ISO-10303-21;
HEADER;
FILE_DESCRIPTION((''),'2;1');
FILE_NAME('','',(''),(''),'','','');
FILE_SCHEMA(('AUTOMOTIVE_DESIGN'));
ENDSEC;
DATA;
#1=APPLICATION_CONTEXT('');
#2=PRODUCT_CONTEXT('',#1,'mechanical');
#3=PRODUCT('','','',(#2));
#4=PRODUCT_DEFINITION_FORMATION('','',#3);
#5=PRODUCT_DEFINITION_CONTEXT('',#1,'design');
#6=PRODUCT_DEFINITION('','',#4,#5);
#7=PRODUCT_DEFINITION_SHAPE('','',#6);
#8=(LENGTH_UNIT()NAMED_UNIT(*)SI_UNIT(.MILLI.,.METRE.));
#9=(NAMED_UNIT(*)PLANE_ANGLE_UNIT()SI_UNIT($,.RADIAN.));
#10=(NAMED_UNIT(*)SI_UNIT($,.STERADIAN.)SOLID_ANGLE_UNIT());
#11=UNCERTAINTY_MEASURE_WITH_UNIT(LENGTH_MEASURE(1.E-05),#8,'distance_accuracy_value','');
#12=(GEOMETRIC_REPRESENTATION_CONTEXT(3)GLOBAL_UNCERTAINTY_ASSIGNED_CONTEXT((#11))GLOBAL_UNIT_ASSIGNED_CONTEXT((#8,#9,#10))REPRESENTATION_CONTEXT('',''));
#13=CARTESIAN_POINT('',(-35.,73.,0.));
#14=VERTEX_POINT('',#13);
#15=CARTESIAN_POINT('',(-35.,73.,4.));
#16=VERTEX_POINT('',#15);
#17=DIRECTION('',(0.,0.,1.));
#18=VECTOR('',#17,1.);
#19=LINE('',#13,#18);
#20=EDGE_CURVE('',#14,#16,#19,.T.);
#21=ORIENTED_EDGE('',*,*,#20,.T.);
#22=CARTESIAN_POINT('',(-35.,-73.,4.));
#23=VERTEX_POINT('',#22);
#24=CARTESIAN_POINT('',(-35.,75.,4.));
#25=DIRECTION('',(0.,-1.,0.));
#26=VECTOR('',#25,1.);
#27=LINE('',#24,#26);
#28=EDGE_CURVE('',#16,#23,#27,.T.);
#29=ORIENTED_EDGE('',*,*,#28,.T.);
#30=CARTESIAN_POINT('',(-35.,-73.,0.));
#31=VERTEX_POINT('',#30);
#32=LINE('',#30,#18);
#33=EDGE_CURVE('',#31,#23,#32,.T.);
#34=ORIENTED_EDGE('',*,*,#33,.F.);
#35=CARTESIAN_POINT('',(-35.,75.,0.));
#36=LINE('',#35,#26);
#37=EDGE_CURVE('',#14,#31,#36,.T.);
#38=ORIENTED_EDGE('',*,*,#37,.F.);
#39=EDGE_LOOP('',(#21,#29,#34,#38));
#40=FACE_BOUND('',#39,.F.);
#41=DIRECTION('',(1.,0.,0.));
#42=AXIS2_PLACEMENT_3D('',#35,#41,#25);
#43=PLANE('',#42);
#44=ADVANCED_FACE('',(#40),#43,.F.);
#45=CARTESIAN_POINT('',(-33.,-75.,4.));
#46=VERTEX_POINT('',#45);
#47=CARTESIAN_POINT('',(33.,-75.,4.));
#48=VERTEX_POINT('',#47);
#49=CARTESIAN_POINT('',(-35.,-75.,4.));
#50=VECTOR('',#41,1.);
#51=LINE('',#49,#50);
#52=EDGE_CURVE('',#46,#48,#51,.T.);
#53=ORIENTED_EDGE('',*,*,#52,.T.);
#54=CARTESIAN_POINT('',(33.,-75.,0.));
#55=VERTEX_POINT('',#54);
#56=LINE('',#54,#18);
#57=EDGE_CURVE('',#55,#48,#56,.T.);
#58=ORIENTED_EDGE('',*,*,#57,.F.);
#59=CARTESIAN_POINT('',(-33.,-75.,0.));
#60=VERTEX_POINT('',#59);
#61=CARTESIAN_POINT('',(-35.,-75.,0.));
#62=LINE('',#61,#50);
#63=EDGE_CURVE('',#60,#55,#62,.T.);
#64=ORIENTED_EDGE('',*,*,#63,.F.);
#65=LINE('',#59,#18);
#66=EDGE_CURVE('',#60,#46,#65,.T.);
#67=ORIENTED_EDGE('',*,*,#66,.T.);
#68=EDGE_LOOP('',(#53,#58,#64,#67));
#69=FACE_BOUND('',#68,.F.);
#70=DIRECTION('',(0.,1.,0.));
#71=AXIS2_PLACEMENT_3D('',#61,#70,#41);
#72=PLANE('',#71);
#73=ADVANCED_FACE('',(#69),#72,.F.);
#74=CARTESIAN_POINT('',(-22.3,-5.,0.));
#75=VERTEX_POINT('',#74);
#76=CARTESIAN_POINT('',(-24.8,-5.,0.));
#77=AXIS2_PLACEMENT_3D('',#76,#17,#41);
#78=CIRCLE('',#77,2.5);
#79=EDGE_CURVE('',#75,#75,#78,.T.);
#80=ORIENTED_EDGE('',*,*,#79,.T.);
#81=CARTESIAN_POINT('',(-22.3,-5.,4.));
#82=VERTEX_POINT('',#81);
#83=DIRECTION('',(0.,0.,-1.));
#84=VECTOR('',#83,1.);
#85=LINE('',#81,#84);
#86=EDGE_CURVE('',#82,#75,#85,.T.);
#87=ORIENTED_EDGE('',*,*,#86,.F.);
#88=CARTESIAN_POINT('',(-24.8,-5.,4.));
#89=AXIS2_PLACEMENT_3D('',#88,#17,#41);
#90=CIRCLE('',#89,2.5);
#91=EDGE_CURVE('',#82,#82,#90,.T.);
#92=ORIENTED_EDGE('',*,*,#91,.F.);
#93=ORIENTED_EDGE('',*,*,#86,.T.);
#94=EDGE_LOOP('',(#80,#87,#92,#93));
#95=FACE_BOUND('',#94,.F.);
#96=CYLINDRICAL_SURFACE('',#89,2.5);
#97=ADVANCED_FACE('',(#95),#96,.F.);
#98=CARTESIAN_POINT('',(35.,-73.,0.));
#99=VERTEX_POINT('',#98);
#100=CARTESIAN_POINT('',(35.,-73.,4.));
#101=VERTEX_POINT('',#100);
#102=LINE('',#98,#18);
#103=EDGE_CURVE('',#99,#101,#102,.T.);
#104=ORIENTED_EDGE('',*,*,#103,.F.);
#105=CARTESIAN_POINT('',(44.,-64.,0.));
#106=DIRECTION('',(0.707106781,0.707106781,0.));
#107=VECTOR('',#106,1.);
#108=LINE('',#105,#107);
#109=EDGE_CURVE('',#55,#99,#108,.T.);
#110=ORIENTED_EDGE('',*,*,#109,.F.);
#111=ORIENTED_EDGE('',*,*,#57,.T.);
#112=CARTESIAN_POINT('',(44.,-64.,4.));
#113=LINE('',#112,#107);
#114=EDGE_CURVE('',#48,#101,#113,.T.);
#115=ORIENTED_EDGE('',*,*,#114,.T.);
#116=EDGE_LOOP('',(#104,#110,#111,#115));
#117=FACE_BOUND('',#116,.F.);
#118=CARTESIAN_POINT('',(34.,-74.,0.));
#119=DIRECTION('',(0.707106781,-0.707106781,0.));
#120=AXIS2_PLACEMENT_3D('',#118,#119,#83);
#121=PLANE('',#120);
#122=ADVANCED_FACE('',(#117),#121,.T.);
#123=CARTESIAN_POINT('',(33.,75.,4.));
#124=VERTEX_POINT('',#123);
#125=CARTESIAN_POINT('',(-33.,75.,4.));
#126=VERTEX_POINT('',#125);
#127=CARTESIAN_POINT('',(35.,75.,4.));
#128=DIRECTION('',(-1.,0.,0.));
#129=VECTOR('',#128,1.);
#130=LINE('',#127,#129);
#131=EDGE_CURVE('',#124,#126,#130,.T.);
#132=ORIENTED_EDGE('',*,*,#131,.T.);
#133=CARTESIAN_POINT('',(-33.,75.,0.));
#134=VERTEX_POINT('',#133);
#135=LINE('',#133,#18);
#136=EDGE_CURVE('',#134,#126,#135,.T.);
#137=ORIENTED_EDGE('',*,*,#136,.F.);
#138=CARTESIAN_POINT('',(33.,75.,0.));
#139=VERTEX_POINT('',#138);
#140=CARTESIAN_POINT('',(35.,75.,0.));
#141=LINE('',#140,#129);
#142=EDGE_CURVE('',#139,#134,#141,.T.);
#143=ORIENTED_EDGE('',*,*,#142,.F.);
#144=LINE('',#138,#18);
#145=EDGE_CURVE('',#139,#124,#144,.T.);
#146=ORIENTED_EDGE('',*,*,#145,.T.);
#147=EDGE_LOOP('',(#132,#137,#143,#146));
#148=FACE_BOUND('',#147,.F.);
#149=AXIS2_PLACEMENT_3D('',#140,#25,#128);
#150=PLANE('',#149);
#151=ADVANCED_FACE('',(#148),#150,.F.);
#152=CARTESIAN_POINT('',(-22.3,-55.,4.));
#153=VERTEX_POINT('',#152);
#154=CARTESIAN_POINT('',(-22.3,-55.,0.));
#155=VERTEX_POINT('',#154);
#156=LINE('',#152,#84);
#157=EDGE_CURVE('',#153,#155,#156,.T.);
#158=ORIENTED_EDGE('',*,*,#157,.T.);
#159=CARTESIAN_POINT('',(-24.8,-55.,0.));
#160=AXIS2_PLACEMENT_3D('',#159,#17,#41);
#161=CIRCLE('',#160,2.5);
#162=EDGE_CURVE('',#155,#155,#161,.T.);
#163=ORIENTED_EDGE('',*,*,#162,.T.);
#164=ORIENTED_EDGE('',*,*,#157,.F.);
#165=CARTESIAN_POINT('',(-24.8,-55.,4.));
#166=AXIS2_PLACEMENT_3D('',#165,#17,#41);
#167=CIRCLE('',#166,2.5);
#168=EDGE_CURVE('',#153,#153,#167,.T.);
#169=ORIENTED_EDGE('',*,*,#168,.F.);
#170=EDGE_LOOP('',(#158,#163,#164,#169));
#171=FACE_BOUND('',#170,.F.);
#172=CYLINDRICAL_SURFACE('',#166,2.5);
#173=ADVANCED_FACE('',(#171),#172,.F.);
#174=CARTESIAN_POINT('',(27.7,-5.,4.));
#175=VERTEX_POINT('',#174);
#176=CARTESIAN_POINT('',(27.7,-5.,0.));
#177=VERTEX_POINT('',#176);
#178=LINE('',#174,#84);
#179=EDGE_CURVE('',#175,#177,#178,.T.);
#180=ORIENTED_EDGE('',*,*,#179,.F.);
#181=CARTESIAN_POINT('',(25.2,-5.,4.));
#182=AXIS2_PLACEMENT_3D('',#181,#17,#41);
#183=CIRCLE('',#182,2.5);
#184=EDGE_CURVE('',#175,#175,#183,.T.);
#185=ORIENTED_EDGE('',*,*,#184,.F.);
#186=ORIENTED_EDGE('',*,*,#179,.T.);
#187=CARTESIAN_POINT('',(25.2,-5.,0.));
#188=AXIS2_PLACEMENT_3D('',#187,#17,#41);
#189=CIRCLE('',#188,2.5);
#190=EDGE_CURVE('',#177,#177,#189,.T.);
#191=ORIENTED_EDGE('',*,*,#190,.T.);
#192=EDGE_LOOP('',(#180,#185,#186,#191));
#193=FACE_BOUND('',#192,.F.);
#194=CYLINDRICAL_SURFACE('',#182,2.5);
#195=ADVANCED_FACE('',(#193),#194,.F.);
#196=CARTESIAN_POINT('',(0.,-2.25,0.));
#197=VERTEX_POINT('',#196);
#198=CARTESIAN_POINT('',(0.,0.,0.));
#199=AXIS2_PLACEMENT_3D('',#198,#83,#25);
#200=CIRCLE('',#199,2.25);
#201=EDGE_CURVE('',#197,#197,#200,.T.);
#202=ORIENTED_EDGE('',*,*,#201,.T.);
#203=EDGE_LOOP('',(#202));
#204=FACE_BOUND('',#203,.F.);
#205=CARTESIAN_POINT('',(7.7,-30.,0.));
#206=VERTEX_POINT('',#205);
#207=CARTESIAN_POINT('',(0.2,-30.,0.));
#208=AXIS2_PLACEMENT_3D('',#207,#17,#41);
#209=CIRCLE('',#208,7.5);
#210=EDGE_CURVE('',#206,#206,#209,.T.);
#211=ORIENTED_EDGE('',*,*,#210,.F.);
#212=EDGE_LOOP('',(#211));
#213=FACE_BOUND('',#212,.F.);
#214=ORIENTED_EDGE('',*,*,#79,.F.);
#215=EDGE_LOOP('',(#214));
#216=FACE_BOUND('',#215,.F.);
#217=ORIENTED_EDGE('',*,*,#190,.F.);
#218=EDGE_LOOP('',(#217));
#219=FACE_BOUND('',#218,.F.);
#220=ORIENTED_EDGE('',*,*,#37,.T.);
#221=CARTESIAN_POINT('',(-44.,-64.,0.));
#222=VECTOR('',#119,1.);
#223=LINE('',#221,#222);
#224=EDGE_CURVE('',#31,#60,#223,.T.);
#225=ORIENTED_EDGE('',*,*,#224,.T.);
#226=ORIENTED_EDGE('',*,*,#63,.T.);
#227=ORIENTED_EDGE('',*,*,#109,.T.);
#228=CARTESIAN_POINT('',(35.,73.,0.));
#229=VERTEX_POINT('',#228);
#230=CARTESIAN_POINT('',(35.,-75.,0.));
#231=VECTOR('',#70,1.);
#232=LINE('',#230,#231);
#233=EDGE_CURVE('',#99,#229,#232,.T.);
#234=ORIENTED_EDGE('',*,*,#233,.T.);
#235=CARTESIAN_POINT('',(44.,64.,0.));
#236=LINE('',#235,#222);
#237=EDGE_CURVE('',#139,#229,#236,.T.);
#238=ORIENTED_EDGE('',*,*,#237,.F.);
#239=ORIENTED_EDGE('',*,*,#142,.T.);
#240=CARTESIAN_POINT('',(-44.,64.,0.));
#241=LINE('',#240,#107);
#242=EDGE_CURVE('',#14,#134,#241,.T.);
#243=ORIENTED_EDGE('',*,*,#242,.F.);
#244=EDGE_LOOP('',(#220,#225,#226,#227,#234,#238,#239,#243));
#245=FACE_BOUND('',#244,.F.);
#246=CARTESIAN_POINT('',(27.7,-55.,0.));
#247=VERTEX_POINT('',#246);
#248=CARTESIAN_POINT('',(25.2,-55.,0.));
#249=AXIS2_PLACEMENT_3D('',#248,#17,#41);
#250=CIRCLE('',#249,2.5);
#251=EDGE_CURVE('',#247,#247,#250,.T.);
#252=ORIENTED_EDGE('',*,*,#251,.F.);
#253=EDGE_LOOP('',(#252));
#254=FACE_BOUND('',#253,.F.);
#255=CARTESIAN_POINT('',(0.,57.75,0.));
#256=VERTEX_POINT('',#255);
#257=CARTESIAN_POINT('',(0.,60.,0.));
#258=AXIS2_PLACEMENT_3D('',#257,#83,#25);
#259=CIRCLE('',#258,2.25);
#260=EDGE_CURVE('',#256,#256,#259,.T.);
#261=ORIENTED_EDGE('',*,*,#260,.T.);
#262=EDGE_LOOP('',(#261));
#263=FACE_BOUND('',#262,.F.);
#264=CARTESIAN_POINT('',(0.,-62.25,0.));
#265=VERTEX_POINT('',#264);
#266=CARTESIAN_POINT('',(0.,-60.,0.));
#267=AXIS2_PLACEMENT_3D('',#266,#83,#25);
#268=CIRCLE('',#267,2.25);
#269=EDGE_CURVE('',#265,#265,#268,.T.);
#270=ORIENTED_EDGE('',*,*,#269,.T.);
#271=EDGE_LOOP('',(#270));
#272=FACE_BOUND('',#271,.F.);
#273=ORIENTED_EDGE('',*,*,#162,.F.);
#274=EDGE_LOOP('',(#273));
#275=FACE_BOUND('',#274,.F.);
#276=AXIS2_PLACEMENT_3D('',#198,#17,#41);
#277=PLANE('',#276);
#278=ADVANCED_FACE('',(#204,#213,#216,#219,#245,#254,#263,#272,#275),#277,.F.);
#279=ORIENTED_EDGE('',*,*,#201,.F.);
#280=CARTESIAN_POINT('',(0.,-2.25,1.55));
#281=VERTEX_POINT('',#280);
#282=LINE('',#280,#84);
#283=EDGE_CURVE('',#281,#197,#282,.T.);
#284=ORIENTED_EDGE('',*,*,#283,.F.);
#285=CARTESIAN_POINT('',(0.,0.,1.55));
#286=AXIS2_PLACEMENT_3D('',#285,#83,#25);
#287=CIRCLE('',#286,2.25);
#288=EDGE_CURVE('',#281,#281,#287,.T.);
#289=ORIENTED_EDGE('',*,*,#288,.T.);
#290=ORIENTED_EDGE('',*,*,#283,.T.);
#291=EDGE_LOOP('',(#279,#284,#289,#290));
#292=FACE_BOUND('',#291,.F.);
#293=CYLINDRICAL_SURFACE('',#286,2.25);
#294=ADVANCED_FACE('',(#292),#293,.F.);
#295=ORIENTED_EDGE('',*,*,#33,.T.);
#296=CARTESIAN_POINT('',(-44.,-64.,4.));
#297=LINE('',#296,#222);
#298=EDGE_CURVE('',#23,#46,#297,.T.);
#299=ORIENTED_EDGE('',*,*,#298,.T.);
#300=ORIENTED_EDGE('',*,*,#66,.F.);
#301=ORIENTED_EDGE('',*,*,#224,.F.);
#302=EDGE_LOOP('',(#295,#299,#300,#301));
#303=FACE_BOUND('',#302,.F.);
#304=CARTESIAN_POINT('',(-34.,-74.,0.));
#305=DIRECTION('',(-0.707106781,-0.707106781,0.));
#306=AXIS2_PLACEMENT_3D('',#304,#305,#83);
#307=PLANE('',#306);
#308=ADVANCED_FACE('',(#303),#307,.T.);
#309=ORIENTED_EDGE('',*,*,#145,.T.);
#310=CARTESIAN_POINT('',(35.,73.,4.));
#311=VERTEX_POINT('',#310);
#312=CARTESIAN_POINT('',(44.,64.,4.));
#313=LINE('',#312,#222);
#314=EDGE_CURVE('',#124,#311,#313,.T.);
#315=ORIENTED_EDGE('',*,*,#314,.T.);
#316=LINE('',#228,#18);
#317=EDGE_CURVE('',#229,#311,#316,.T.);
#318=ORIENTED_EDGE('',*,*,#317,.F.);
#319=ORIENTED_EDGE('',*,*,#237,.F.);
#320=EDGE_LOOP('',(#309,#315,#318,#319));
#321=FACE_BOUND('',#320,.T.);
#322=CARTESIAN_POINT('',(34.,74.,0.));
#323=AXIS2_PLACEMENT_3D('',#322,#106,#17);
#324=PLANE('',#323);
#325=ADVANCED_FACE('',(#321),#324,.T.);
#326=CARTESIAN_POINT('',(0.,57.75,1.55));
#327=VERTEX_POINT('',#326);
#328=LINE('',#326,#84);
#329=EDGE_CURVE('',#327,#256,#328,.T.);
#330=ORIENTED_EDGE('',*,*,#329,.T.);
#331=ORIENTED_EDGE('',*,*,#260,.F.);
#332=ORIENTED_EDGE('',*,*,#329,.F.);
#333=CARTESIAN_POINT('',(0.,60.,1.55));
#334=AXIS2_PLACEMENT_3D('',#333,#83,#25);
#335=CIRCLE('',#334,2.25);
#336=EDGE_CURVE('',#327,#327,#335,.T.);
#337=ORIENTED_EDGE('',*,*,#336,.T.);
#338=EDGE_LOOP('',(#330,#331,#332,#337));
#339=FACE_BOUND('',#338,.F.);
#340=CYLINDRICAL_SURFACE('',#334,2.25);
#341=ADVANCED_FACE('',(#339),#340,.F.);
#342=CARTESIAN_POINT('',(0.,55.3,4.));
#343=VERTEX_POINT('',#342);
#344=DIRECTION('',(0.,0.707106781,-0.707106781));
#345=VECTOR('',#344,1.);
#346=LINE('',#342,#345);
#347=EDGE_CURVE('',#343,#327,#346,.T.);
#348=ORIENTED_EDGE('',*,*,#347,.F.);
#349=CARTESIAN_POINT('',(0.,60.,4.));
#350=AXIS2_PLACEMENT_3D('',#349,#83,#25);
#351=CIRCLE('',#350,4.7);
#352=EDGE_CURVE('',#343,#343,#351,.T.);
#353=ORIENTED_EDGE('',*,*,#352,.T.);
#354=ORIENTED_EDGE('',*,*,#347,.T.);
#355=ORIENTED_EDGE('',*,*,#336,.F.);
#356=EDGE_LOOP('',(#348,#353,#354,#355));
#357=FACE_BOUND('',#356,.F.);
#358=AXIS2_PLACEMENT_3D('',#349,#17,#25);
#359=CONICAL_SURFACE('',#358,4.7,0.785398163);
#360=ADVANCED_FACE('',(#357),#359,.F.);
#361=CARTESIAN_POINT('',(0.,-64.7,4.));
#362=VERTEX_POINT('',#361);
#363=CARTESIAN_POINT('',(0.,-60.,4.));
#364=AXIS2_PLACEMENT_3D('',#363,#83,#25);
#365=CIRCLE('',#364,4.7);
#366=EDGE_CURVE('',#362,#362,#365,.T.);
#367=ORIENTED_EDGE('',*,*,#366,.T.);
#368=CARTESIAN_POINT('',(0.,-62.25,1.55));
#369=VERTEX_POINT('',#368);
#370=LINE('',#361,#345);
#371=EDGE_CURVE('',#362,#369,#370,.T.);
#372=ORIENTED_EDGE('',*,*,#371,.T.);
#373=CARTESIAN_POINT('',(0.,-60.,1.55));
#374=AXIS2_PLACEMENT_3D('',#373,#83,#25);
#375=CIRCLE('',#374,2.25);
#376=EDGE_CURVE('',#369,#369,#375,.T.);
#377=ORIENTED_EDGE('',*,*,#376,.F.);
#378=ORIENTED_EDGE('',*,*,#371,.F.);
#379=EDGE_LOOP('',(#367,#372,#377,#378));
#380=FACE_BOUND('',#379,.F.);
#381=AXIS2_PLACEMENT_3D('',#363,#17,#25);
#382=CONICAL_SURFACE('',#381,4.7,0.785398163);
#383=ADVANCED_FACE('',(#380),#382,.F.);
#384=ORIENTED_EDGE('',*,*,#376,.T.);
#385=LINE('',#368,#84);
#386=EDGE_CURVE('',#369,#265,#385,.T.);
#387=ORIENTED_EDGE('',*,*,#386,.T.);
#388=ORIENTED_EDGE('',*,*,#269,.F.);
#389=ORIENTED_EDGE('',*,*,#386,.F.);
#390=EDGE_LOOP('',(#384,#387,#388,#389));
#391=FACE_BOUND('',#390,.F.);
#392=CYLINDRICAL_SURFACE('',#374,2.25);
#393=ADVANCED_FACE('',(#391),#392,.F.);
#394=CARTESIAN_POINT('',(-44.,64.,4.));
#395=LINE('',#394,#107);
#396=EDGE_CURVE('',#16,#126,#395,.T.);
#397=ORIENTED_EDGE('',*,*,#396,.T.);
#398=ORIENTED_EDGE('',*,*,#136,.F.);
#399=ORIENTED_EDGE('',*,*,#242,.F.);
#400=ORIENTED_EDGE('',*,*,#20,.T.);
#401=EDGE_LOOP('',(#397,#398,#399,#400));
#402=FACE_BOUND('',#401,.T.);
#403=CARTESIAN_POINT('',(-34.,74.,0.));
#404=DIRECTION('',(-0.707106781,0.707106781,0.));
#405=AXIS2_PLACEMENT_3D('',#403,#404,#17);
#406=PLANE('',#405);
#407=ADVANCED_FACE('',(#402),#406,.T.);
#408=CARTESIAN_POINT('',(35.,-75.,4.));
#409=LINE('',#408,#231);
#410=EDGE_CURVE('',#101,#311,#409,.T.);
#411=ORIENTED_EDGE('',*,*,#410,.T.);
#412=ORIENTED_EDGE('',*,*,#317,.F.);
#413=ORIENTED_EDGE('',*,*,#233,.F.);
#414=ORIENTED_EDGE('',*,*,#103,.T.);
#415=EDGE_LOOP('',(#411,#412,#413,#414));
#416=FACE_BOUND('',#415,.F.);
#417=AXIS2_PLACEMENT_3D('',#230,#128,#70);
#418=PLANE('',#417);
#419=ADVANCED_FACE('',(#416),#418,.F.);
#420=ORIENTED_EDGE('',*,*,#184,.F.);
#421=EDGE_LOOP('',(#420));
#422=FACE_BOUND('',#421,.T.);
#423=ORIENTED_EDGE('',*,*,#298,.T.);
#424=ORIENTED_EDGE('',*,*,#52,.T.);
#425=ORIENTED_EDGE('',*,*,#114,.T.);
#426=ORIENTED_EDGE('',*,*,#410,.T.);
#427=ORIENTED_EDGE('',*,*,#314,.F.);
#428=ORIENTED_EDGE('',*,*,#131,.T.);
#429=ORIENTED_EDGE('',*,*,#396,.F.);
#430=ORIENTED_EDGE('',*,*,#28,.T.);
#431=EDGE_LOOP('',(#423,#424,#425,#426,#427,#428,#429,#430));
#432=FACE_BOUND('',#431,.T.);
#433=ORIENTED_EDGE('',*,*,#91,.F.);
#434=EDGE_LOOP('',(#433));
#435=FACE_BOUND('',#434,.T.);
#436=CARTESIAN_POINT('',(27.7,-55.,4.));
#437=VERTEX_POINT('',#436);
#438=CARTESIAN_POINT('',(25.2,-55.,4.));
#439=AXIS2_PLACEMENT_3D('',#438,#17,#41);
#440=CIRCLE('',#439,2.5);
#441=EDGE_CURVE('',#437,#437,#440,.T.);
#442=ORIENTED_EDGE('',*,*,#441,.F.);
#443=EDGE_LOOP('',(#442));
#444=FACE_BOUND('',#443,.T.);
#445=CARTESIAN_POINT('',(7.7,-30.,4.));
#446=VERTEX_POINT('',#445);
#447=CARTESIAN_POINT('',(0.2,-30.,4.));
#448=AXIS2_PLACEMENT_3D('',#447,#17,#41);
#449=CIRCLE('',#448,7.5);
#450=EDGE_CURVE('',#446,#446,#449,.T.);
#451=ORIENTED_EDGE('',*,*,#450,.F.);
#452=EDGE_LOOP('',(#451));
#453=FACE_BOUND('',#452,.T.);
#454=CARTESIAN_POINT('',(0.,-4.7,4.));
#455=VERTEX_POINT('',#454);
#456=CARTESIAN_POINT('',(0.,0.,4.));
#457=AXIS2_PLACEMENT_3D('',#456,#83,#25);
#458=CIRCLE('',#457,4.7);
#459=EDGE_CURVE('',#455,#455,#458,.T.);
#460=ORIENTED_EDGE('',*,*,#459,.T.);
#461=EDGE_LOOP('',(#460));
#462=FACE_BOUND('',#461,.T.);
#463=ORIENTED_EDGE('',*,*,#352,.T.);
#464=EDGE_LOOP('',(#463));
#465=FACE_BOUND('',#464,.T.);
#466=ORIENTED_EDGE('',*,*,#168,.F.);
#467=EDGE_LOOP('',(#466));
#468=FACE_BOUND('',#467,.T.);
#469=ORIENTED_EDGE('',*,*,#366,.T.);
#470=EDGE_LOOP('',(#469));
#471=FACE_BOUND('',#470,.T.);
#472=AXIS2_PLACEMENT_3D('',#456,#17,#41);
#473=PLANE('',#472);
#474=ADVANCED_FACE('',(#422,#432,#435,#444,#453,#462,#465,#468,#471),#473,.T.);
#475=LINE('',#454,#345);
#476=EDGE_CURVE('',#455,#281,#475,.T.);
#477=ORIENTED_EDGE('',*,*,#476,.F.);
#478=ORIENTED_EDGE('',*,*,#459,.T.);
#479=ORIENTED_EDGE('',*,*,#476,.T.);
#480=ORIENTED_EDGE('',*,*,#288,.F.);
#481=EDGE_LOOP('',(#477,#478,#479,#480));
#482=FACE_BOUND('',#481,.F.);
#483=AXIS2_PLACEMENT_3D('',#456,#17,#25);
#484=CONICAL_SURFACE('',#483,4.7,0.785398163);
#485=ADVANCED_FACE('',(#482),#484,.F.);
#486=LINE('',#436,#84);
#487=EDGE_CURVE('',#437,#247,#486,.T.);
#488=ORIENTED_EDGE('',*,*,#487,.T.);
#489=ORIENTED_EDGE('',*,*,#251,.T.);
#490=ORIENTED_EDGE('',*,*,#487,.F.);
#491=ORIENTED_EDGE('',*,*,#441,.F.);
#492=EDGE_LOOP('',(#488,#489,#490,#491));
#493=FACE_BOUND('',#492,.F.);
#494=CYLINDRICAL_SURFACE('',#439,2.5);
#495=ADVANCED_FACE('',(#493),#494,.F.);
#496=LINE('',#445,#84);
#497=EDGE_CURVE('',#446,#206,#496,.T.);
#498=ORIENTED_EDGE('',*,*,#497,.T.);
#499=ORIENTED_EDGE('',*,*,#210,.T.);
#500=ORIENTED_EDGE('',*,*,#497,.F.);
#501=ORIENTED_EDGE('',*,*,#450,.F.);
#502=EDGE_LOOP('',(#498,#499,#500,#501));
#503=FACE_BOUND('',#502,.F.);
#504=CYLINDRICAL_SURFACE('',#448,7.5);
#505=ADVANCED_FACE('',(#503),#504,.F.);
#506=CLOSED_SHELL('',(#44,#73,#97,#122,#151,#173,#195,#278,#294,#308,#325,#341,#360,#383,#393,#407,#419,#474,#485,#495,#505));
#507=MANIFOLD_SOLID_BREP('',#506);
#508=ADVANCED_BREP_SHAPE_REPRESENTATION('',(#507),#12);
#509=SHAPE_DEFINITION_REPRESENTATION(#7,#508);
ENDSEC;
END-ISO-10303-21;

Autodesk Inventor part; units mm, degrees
ref_plane "YZ Plane" through (0, 0, 0) normal (1, 0, 0) x (0, 1, 0)
ref_plane "XZ Plane" through (0, 0, 0) normal (0, 1, 0) x (-1, 0, 0)
ref_plane "XY Plane" through (0, 0, 0) normal (0, 0, 1) x (1, 0, 0)
sketch "Esboço1" plane through (0, 0, 0) normal (0, 0, 1) x (1, 0, 0)
  line L0 (-35, -75) -> (35, -75)
  line L1 (35, -75) -> (35, 75)
  line L2 (35, 75) -> (-35, 75)
  line L3 (-35, 75) -> (-35, -75)
  line L4 (-35, -75) -> (35, 75) construction
  line L5 (35, -75) -> (-35, 75) construction
  point P0 (0, 0)
  dimension "d0" = 150
  dimension "d1" = 70
extrude "Extrusão1" add sketch "Esboço1" along normal blind 4
sketch "Esboço2" plane through (0, 0, 4) normal (0, 0, 1) x (1, 0, 0)
  line L0 (35, 75) -> (-35, 75) projected
  line L1 (-35, -75) -> (35, -75) projected
  line L2 (-35, 75) -> (-35, -75) projected
  point P0 (0, 0)
  point P1 (0, 60)
  point P2 (0, -60)
  point P3 (0, 0)
  dimension "d4" = 15
  dimension "d5" = 15
  dimension "d6" = 35
  dimension "d7" = 35
hole "Furo1" at (0, 60, 4) at (0, -60, 4) at (0, 0, 4) direction (0, 0, -1) diameter 4.5 end through all countersink diameter 9.4 countersink angle 90 clearance for "Countersunk Flat Head Screw ISO 2009/7046" size "M4" standard "ISO"
chamfer "Chanfro1" distance 2 angle 45 4 edges at (35, -75, 2) (-35, -75, 2) (35, 75, 2) (-35, 75, 2)
sketch "Esboço3" plane through (0, 0, 4) normal (0, 0, 1) x (1, 0, 0)
  circle A0 centre (-24.8, -5) radius 3.8 construction
  circle A1 centre (-24.8, -55) radius 3.8 construction
  circle A2 centre (25.2, -5) radius 3.8 construction
  circle A3 centre (25.2, -55) radius 3.8 construction
  circle A4 centre (-24.8, -55) radius 2.5
  circle A5 centre (25.2, -55) radius 2.5
  circle A6 centre (25.2, -5) radius 2.5
  circle A7 centre (-24.8, -5) radius 2.5
  point P0 (0, 0)
  dimension "d18" = 5
  dimension "d19" = 0
extrude "Extrusão2" cut sketch "Esboço3" against normal blind 10
sketch "Esboço4" plane through (0, 0, 4) normal (0, 0, 1) x (1, 0, 0)
  circle A0 centre (0.2, -30) radius 5.5 projected
  circle A1 centre (0.2, -30) radius 7.5
  point P0 (0, 0)
  dimension "d24" = 15
extrude "Extrusão3" cut sketch "Esboço4" against normal through all contours A0 | A1
properties part number "Espaçador Bastidor" material "Poliacetal"
